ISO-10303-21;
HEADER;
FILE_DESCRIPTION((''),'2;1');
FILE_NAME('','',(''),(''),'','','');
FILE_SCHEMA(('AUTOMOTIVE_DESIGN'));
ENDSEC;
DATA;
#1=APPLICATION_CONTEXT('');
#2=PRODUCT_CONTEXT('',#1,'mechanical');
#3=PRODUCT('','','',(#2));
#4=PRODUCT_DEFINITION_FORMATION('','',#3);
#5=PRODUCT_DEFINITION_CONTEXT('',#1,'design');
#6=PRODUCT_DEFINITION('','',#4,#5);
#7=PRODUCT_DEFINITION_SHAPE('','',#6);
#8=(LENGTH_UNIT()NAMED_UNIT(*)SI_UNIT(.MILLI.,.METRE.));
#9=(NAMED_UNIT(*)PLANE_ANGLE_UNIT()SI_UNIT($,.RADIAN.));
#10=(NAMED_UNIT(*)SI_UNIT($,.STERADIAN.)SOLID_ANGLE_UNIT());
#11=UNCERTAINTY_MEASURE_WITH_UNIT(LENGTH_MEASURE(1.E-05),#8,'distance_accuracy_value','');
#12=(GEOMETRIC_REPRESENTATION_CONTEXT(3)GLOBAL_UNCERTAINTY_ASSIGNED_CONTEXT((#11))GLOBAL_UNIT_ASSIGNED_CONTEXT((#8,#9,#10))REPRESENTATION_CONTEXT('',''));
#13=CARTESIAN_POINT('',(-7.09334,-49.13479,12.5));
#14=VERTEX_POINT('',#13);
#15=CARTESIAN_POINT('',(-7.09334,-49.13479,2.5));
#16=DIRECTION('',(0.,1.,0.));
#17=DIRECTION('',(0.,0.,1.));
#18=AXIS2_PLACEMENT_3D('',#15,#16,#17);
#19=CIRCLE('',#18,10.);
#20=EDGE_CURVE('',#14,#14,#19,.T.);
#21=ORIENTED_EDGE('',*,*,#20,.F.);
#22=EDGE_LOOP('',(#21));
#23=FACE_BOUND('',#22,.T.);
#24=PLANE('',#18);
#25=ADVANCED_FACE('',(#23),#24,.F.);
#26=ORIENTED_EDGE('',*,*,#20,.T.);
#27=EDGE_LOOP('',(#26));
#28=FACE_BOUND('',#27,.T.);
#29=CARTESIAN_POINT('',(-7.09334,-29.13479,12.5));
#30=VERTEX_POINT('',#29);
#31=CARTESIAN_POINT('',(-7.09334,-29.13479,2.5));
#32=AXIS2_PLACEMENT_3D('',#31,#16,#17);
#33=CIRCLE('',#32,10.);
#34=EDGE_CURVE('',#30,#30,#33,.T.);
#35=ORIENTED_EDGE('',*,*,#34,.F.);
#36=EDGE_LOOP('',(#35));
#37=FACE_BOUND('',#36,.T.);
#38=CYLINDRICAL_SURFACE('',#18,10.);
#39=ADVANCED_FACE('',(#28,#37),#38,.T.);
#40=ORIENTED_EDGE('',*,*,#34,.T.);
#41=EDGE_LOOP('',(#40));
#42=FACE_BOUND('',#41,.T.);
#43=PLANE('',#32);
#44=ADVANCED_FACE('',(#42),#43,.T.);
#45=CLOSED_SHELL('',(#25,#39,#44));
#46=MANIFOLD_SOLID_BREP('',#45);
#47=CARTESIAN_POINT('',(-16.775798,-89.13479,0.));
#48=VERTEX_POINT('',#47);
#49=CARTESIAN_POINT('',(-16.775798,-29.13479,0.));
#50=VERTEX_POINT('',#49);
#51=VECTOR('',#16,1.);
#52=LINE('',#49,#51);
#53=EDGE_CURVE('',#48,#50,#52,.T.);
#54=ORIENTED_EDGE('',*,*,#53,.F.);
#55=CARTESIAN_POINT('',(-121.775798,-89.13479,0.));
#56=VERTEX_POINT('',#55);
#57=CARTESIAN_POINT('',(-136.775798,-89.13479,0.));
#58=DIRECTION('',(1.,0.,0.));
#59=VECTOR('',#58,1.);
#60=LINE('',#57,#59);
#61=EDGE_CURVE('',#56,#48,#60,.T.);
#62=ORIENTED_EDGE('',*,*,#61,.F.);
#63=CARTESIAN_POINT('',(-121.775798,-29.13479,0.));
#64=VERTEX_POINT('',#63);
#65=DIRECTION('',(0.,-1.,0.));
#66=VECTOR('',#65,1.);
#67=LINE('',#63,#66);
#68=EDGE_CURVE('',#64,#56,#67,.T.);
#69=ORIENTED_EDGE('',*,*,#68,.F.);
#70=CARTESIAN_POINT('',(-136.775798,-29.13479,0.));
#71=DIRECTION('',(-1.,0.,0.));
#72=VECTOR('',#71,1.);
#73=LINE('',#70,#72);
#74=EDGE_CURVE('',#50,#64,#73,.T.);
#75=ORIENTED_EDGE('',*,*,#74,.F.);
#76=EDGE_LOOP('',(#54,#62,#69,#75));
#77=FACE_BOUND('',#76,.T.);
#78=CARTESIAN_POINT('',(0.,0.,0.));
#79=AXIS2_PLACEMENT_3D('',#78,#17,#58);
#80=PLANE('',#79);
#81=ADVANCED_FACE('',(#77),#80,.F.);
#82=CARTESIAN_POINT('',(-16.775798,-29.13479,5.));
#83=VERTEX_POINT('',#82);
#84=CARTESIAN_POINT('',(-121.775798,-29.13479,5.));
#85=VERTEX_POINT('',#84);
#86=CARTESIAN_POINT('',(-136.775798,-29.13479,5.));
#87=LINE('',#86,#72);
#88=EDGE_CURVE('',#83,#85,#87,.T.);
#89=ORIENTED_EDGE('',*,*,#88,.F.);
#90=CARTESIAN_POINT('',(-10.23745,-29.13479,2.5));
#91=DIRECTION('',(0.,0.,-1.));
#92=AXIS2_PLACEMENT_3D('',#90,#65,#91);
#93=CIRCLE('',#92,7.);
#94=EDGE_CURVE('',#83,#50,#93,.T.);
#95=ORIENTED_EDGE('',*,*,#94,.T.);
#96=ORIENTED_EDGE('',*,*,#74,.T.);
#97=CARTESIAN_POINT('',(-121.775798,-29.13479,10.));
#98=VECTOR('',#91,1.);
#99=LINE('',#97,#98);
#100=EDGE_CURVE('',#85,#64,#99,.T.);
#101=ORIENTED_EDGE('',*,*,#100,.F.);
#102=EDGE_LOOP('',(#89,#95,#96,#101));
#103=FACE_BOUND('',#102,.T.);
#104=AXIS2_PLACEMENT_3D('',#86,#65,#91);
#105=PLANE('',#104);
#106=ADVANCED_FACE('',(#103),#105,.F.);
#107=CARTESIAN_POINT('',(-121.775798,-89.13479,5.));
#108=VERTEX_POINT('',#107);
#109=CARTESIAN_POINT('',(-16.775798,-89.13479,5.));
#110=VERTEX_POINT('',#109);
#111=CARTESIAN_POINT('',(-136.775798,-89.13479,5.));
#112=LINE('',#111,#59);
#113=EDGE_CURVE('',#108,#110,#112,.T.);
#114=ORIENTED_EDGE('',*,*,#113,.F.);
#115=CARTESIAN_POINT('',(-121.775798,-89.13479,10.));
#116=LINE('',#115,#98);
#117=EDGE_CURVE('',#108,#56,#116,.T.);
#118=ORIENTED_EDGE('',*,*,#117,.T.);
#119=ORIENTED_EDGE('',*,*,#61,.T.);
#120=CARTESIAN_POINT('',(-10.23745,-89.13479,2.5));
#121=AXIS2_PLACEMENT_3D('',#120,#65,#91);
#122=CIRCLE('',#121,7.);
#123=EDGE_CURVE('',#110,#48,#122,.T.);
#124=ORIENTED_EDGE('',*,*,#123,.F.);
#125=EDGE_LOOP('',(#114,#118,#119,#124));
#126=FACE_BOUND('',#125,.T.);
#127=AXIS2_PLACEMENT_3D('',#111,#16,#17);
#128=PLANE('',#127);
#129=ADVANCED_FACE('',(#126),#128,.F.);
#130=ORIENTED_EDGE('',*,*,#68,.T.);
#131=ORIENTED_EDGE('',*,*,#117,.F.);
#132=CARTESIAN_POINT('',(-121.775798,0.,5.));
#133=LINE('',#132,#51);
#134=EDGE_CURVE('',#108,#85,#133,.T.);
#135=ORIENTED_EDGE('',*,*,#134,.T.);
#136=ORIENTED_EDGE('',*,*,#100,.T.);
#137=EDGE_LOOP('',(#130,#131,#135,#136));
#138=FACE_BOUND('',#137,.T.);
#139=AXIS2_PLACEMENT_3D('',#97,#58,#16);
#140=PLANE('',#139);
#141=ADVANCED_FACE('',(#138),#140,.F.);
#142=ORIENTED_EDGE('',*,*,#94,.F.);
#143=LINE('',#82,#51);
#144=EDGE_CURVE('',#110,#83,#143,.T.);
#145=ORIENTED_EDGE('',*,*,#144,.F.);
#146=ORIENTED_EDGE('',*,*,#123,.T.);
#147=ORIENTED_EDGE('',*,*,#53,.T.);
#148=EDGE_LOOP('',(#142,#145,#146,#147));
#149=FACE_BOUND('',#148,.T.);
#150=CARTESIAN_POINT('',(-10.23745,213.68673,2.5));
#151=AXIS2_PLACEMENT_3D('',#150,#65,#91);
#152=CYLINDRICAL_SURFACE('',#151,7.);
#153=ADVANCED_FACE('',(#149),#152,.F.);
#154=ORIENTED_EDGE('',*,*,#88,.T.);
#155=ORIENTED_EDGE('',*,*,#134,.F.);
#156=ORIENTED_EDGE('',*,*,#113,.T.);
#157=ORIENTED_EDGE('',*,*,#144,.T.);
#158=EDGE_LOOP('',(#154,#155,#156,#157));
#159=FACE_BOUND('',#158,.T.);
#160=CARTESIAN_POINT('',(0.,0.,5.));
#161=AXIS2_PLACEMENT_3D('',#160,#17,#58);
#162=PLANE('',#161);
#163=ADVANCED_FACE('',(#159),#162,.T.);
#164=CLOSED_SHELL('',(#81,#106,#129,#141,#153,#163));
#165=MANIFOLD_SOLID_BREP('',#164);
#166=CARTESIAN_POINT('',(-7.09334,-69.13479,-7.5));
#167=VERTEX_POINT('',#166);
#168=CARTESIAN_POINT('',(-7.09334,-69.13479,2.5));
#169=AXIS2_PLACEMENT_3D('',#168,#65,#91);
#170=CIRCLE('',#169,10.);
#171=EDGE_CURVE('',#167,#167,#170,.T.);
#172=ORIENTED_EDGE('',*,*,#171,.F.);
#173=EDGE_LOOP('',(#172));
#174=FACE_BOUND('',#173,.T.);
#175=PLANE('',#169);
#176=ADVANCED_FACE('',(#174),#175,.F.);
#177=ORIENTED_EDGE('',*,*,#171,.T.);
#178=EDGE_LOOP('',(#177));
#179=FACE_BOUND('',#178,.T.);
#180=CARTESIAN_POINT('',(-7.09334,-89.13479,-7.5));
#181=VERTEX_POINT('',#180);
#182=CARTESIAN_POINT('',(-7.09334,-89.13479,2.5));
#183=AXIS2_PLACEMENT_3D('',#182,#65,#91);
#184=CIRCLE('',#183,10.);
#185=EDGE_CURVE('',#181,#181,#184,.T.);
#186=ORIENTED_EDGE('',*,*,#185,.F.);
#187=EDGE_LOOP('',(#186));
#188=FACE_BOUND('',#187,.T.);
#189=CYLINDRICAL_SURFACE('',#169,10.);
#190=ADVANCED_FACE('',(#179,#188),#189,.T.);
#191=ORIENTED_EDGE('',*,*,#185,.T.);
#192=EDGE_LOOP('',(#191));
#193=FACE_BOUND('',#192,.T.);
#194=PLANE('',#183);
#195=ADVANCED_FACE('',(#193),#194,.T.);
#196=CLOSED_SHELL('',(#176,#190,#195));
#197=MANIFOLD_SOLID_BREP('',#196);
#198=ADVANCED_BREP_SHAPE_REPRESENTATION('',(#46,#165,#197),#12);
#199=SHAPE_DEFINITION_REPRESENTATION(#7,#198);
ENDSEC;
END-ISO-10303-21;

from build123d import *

# Parameters (mm, degrees)
SKETCH1_W               = 120
SKETCH1_H               = 60
BOSS_EXTRUDE4_DEPTH     = 5
CUT_EXTRUDE3_DEPTH      = 150.441021831
CUT_EXTRUDE3_DEPTH_BACK = 60
SKETCH18_R              = 10
BOSS_EXTRUDE9_DEPTH     = 20
SKETCH19_R              = 10
BOSS_EXTRUDE10_DEPTH    = 20
SKETCH20_W              = 15
SKETCH20_H              = 60
CUT_EXTRUDE4_DEPTH      = 10


with BuildPart() as part:
    # Sketch1 → Boss-Extrude4 (new body)
    with BuildSketch(Plane.XY):
        with Locations((-76.775798319, -59.134789916)):
            Rectangle(SKETCH1_W, SKETCH1_H)
    extrude(amount=BOSS_EXTRUDE4_DEPTH)

    # Sketch6 → Cut-Extrude3 (cut, two sides: drawn at the far end of the back side and taken through both)
    with BuildSketch(Plane(origin=(0, -29.134789916, 0), x_dir=(1, 0, 0), z_dir=(0, 1, 0)).offset(-CUT_EXTRUDE3_DEPTH_BACK)):
        with BuildLine():
            Line((72.584288463, 233.706952721), (-16.775798319, 0))
            ThreePointArc((-16.775798319, 0), (-17.237449904, -2.5), (-16.775798319, -5))
            Line((-16.775798319, -5), (72.584288463, -238.706952721))
            Line((72.584288463, -238.706952721), (573.000774441, -238.706952721))
            Line((573.000774441, -238.706952721), (573.000774441, 233.706952721))
            Line((573.000774441, 233.706952721), (72.584288463, 233.706952721))
        make_face()
    extrude(amount=CUT_EXTRUDE3_DEPTH + CUT_EXTRUDE3_DEPTH_BACK, mode=Mode.SUBTRACT)

    # Sketch20 → Cut-Extrude4 (cut)
    with BuildSketch(Plane(origin=(0, 0, 0), x_dir=(-1, 0, 0), z_dir=(0, 0, -1))):
        with Locations((129.275798319, -59.134789916)):
            Rectangle(SKETCH20_W, SKETCH20_H)
    extrude(amount=-CUT_EXTRUDE4_DEPTH, mode=Mode.SUBTRACT)


with BuildPart() as body_2:
    # Sketch18 → Boss-Extrude9 (new body)
    with BuildSketch(Plane(origin=(0, -29.134789916, 0), x_dir=(1, 0, 0), z_dir=(0, 1, 0))):
        with Locations(Location((-7.093339954, -2.5, 0), (0, 0, 270))):
            Circle(SKETCH18_R)
    extrude(amount=-BOSS_EXTRUDE9_DEPTH)


with BuildPart() as body_3:
    # Sketch19 → Boss-Extrude10 (new body)
    with BuildSketch(Plane.XZ.offset(89.134789916)):
        with Locations(Location((-7.093339954, 2.5, 0), (0, 0, 270))):
            Circle(SKETCH19_R)
    extrude(amount=-BOSS_EXTRUDE10_DEPTH)


solid = Compound([part.part, body_2.part, body_3.part])
